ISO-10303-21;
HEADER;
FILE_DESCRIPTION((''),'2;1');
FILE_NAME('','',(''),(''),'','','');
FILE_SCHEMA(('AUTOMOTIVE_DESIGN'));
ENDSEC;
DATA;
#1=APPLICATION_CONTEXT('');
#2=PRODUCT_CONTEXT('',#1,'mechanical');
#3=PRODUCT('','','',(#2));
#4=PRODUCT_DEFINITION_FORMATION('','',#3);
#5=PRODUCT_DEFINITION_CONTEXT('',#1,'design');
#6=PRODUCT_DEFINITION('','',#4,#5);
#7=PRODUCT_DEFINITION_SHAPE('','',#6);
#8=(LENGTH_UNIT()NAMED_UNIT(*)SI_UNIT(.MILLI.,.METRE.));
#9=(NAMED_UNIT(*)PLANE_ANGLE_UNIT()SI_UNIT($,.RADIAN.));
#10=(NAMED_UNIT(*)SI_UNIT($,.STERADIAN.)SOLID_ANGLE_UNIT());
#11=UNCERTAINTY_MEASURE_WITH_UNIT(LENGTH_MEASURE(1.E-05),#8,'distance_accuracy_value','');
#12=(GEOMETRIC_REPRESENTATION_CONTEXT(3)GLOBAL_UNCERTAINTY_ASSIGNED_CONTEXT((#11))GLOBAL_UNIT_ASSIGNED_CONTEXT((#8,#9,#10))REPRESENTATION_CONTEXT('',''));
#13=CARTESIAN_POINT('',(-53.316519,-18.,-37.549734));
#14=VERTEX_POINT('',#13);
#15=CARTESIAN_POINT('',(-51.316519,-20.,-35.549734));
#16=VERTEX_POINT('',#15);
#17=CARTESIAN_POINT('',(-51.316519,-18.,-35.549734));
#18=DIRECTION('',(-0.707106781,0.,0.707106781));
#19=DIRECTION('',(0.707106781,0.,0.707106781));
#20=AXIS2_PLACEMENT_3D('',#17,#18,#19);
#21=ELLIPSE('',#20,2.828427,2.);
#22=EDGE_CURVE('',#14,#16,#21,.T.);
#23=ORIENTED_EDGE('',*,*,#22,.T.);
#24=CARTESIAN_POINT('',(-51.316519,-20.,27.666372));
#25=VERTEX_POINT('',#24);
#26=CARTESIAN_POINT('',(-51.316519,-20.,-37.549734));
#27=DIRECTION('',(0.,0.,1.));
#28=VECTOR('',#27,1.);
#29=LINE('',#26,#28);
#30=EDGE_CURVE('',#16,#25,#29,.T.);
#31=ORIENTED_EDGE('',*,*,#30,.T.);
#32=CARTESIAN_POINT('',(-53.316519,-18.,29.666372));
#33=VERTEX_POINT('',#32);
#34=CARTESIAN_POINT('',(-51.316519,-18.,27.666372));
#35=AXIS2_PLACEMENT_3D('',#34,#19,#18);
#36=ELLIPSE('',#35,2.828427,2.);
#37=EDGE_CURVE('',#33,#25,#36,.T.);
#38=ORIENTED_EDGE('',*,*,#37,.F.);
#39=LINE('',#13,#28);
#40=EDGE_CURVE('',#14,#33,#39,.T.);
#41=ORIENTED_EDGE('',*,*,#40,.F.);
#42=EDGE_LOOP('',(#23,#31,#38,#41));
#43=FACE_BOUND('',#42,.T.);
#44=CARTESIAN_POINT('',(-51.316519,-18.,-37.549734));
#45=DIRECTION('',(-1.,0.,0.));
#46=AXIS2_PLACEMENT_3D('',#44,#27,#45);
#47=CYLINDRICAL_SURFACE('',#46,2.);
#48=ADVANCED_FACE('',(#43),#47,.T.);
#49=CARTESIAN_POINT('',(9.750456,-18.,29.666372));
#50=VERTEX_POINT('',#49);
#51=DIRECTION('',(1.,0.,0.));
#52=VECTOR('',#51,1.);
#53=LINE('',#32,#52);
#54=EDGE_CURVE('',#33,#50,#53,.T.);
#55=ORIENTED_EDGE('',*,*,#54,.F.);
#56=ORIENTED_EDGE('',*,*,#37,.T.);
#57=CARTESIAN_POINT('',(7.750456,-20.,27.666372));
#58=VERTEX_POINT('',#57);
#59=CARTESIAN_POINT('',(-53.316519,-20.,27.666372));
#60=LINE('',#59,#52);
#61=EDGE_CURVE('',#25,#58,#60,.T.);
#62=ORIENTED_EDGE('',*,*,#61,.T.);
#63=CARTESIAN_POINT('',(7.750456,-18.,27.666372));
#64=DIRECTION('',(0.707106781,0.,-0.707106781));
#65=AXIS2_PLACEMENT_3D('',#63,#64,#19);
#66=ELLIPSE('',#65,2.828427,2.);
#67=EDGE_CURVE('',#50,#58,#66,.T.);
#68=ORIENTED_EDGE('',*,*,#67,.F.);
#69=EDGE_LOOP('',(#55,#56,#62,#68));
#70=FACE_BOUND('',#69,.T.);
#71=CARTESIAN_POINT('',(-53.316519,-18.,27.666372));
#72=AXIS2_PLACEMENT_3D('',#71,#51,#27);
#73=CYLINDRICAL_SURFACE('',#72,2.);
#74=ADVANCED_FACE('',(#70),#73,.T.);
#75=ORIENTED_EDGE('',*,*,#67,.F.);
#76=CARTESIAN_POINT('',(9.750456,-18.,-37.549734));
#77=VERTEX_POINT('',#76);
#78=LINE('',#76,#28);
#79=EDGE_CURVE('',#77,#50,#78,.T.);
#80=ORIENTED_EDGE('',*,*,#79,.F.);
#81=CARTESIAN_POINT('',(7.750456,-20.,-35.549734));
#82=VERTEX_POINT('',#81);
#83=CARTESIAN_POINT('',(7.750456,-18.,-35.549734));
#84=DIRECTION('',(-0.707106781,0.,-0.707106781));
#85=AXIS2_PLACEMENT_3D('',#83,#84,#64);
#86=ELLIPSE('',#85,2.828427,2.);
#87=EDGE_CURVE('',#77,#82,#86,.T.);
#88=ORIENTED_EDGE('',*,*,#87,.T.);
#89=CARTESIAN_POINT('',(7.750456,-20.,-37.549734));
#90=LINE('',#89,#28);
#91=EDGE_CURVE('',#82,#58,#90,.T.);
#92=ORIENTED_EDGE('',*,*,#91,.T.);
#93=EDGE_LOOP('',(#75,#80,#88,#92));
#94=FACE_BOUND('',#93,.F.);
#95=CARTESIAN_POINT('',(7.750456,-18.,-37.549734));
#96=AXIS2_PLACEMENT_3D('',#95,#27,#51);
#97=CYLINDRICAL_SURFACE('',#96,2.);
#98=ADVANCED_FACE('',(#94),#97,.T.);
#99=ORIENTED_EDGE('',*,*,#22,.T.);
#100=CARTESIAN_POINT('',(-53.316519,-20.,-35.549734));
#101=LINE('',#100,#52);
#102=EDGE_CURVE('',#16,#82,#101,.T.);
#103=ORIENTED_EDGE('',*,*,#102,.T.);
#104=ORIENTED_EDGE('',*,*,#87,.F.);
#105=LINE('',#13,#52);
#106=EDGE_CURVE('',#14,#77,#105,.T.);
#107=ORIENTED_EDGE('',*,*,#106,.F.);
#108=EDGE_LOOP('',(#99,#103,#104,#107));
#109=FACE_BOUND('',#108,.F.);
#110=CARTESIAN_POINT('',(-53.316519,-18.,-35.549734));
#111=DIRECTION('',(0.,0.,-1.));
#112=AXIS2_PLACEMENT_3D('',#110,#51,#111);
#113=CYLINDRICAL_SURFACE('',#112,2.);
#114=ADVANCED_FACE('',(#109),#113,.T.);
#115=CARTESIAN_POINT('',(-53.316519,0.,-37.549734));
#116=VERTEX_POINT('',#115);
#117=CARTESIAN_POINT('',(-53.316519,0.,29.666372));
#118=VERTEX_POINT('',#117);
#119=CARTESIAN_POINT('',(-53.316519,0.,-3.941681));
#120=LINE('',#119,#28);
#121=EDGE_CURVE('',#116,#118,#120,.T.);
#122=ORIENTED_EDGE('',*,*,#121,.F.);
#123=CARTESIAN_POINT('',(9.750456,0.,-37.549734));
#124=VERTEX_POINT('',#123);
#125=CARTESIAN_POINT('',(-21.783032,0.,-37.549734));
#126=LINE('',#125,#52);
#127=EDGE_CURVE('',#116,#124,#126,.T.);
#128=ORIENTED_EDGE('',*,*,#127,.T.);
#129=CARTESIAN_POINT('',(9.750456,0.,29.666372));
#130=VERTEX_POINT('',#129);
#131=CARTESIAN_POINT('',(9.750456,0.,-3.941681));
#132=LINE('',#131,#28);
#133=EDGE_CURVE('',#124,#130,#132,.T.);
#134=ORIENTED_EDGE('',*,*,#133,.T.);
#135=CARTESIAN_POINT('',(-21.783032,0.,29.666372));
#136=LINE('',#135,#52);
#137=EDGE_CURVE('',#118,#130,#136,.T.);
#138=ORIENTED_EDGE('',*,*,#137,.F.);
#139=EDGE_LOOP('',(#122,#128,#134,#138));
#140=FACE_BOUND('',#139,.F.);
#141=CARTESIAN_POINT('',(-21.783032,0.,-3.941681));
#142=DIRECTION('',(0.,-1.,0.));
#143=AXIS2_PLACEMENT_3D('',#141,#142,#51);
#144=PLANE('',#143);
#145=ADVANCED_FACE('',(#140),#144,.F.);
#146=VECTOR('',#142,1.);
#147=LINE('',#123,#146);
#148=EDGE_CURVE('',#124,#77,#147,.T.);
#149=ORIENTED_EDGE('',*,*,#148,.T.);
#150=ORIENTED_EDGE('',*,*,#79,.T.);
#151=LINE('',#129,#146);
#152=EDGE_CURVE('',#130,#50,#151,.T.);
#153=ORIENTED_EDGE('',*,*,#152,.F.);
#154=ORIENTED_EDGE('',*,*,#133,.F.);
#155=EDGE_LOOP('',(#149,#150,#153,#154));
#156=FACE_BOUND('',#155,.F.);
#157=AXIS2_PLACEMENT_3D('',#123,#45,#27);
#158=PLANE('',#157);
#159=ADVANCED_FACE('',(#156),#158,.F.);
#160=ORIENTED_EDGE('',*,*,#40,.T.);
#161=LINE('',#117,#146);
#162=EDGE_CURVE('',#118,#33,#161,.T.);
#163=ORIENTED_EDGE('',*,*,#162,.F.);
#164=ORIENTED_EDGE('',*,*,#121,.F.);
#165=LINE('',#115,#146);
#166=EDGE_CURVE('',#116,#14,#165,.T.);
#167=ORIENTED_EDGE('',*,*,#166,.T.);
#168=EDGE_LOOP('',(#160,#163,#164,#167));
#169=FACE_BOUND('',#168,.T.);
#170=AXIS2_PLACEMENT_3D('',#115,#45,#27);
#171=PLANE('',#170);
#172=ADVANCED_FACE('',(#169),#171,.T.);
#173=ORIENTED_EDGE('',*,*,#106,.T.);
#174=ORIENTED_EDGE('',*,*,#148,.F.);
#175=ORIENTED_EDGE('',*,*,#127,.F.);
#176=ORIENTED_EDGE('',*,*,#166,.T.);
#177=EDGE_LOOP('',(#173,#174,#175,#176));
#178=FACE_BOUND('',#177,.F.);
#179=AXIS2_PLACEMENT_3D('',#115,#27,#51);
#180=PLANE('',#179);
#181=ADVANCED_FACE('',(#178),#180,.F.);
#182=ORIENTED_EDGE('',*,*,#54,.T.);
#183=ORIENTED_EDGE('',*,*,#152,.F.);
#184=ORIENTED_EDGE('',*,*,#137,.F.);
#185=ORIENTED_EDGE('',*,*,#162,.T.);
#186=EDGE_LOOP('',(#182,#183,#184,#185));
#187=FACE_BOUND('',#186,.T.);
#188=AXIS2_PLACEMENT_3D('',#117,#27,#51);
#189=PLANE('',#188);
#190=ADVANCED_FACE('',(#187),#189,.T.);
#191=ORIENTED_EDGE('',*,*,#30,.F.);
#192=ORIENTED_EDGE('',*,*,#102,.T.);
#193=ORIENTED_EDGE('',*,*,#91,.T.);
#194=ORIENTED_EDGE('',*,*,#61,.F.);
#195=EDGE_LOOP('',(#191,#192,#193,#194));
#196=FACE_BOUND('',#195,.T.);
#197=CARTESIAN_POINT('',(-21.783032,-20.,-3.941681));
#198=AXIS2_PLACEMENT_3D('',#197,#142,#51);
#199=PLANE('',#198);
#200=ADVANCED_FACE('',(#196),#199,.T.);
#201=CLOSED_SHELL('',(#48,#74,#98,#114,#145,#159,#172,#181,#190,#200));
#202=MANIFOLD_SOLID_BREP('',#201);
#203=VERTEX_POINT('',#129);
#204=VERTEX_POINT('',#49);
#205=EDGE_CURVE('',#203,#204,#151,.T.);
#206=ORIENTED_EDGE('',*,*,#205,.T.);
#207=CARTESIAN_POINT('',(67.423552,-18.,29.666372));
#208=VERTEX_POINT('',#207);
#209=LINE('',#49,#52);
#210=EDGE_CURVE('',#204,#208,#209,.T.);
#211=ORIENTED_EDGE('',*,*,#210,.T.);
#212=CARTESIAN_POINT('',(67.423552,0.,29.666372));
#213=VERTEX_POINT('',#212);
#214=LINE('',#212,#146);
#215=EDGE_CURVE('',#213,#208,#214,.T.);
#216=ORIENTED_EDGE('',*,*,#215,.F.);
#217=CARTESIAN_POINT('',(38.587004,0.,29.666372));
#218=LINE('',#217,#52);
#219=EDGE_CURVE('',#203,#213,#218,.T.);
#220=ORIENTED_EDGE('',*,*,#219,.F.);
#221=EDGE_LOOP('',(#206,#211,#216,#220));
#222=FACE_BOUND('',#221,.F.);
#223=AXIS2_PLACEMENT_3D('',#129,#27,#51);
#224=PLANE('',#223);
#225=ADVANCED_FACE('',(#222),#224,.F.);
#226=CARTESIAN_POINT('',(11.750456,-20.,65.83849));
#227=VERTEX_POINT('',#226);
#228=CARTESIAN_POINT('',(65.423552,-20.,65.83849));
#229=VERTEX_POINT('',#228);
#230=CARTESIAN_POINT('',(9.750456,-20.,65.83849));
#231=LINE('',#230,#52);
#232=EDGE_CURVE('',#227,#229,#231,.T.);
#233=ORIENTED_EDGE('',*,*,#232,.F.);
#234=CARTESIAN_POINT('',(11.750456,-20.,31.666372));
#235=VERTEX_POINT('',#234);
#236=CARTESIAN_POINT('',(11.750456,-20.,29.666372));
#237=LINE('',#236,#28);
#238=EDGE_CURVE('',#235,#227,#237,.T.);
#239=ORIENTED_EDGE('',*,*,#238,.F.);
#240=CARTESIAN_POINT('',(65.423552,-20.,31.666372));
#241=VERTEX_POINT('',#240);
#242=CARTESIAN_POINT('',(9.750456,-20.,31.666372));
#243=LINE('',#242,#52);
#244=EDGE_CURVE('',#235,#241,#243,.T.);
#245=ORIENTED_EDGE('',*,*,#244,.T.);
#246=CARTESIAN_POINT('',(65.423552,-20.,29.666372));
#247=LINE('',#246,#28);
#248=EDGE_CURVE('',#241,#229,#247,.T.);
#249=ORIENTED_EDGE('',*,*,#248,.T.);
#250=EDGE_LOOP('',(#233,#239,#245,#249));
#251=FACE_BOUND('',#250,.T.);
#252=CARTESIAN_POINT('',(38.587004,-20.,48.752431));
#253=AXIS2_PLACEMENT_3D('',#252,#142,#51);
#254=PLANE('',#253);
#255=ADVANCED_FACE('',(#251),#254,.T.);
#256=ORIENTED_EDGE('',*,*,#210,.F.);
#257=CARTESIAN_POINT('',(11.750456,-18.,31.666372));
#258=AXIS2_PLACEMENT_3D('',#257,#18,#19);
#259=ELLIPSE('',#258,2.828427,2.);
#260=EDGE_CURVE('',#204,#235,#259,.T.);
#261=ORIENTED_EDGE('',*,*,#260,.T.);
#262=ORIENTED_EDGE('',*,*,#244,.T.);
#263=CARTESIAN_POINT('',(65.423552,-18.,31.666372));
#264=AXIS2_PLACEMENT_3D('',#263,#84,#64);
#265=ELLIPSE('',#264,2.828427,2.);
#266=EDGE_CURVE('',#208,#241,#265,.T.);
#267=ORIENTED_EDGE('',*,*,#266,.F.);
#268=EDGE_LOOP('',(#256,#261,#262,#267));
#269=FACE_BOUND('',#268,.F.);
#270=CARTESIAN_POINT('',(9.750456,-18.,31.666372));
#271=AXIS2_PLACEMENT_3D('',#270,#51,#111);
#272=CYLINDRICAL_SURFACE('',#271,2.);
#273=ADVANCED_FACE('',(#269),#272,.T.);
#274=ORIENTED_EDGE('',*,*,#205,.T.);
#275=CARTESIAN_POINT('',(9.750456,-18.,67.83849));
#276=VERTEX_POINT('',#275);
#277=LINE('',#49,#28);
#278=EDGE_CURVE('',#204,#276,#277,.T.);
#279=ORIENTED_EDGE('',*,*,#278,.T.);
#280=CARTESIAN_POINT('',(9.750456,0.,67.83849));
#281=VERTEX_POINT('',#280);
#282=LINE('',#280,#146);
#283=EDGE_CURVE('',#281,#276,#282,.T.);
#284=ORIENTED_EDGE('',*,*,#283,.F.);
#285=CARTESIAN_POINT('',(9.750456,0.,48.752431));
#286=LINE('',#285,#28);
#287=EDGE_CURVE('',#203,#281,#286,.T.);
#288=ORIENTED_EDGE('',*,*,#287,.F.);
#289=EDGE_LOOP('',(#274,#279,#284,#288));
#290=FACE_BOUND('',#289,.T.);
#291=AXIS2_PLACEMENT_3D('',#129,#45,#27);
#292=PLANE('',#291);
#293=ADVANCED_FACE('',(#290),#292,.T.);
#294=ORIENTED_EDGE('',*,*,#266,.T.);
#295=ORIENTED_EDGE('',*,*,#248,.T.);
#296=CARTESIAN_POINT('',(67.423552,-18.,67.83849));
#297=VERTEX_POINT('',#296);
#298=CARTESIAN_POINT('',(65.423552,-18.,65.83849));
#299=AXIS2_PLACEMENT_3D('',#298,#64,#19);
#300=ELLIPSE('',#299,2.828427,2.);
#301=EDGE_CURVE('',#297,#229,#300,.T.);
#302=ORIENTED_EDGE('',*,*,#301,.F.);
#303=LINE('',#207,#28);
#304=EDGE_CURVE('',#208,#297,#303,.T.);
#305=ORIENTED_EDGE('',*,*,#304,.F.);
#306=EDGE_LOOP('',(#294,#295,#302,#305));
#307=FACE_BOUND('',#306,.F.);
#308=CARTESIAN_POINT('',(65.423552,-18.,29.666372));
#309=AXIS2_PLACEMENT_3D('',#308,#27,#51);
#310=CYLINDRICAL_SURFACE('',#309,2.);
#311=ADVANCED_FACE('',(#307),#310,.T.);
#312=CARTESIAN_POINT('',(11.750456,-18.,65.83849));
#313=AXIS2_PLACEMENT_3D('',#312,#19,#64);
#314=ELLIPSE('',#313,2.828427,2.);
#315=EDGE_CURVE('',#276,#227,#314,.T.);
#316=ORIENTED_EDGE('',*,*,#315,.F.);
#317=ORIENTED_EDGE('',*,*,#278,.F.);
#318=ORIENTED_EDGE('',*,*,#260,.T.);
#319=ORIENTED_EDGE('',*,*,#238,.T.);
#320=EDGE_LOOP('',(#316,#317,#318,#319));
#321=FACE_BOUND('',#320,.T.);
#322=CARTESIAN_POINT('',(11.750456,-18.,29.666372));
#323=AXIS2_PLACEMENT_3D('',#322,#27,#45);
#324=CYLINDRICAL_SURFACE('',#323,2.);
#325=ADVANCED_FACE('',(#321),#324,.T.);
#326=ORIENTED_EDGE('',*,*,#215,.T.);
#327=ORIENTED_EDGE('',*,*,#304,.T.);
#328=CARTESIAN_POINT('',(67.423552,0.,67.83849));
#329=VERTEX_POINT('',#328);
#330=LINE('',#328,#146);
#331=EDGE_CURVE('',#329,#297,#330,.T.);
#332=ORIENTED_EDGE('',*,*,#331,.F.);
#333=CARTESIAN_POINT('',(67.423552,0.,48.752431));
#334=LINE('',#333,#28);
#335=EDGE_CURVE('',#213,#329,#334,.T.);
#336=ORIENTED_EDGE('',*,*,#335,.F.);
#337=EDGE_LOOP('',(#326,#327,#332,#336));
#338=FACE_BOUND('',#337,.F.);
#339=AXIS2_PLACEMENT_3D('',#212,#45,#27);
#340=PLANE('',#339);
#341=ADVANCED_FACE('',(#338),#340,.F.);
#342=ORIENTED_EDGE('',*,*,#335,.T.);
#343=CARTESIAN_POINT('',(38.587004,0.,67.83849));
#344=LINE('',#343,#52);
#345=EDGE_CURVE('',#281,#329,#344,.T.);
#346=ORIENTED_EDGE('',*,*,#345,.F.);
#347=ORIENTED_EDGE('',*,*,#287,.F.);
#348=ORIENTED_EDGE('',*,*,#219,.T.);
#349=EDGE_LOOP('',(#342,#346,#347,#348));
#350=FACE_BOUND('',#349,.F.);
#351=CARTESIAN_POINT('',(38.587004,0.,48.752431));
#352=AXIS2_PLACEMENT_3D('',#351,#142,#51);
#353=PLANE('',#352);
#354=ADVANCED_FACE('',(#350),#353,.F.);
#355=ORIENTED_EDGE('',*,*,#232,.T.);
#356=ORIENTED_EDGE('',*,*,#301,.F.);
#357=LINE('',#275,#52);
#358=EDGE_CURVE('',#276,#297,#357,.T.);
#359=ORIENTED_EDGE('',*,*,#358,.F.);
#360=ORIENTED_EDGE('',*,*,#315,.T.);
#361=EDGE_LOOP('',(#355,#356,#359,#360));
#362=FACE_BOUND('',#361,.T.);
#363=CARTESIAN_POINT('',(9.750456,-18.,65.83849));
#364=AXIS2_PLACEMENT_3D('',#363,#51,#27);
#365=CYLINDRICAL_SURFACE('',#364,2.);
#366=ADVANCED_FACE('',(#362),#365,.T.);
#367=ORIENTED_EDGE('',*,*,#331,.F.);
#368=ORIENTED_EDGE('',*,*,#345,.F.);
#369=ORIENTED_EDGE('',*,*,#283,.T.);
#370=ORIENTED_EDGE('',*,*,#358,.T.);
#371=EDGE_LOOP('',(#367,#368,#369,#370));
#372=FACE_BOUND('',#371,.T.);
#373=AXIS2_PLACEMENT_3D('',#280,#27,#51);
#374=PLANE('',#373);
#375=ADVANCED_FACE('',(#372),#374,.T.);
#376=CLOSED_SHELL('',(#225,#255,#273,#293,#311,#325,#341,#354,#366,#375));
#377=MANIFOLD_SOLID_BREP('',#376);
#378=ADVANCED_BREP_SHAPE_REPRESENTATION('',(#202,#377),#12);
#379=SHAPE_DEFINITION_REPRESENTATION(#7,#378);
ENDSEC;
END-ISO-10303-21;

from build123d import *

# Parameters (mm, degrees)
F0_W     = 63.0669742823
F0_H     = 67.2161057591
F1_DEPTH = 20
F0_W_2   = 57.6730966568
F0_H_2   = 38.1721183658
F2_R     = 2
F2_2_R   = 2


with BuildPart() as f1:
    # F0 (on Front) → F1 (new body)
    with BuildSketch(Plane.XZ):
        with Locations((-21.7830315232, -3.941681236)):
            Rectangle(F0_W, F0_H)
    extrude(amount=F1_DEPTH)

    # F2
    f2_edges = [f1.edges().sort_by_distance(p)[0] for p in [
        (-21.783032, -20, -37.549734),
        (-53.316519, -20, -3.941681),
        (-21.783032, -20, 29.666372),
        (9.750456, -20, -3.941681),
    ]]
    fillet(f2_edges, radius=F2_R)


with BuildPart() as f1b:
    # F0 (on Front) → F1, piece 2 (new body)
    with BuildSketch(Plane.XZ):
        with Locations((38.5870039463, 48.7524308264)):
            Rectangle(F0_W_2, F0_H_2)
    extrude(amount=F1_DEPTH)

    # F2#2
    f2_2_edges = [f1b.edges().sort_by_distance(p)[0] for p in [
        (38.587004, -20, 29.666372),
        (38.587004, -20, 67.83849),
        (67.423552, -20, 48.752431),
        (9.750456, -20, 48.752431),
    ]]
    fillet(f2_2_edges, radius=F2_2_R)


solid = Compound([f1.part, f1b.part])
